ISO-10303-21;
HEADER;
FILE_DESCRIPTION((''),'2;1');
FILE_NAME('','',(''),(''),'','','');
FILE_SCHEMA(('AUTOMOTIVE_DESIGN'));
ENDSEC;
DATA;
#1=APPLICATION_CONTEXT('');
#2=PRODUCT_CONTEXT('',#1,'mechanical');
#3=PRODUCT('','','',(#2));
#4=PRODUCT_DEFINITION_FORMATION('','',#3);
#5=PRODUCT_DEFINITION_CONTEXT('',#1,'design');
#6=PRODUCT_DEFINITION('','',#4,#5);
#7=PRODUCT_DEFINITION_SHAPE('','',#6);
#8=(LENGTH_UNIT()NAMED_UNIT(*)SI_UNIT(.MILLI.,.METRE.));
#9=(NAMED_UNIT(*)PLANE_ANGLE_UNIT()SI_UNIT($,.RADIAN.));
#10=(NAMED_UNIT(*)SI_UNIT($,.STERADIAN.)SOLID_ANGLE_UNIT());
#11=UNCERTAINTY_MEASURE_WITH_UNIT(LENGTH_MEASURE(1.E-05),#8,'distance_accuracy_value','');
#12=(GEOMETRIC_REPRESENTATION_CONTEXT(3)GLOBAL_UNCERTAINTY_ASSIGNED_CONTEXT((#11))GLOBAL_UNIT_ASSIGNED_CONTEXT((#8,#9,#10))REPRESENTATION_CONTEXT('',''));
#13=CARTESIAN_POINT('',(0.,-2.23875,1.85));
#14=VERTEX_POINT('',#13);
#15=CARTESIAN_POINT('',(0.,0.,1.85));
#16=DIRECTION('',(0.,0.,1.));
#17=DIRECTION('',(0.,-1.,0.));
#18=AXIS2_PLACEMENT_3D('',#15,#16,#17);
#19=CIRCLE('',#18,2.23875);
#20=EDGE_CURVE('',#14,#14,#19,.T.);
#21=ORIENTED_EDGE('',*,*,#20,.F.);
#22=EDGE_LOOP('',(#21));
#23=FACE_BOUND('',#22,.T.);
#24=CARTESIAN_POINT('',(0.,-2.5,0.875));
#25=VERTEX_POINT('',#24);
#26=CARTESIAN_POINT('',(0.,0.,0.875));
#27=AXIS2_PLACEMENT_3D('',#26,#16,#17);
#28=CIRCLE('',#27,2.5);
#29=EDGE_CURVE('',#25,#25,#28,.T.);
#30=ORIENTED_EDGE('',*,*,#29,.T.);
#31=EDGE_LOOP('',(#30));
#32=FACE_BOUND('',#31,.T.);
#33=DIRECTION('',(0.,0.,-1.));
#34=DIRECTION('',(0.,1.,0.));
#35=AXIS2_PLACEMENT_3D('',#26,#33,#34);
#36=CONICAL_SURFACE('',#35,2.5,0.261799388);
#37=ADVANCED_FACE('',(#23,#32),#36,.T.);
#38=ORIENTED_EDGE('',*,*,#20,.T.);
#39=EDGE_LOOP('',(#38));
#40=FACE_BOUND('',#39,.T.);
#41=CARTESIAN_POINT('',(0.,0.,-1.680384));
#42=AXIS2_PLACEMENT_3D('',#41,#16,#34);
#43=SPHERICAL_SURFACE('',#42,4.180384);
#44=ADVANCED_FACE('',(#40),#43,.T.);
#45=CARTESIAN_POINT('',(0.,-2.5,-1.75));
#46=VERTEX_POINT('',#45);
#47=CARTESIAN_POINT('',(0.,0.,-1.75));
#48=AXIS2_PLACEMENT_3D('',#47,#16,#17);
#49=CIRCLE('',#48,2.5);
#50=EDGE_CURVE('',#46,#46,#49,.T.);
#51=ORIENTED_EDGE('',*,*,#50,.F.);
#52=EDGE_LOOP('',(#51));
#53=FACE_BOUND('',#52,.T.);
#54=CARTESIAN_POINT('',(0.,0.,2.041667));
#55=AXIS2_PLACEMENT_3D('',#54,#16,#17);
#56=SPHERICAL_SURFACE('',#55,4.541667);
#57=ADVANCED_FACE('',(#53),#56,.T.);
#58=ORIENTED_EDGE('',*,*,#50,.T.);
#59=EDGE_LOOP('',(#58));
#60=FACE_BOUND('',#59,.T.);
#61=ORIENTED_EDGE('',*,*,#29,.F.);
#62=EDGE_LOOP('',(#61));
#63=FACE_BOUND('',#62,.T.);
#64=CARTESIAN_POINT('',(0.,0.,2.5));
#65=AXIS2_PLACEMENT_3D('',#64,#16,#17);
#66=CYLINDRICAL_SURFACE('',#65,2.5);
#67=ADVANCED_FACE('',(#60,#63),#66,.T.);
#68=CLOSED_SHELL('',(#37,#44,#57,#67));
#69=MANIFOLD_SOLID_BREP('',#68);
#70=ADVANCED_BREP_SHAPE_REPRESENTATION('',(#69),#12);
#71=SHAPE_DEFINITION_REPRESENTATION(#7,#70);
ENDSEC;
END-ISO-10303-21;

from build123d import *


with BuildPart() as part:
    # Sketch3 → Revolve1 (revolve)
    with BuildSketch(Plane(origin=(0, 0, 0), x_dir=(0, 0, -1), z_dir=(1, 0, 0)), mode=Mode.PRIVATE) as revolve1_sk:
        with BuildLine():
            Line((-2.5, 0), (2.5, 0))
            ThreePointArc((2.5, 0), (2.308461045, 1.305038314), (1.75, 2.5))
            Line((1.75, 2.5), (-0.875, 2.5))
            Line((-0.875, 2.5), (-1.85, 2.238749537))
            ThreePointArc((-1.85, 2.238749537), (-2.334212566, 1.165600649), (-2.5, 0))
        make_face()
    revolve(revolve1_sk.sketch.rotate(Axis((0, 0, 2.5), (0, 0, -1)), 180), axis=Axis((0, 0, 2.5), (0, 0, -1)))


solid = part.part
